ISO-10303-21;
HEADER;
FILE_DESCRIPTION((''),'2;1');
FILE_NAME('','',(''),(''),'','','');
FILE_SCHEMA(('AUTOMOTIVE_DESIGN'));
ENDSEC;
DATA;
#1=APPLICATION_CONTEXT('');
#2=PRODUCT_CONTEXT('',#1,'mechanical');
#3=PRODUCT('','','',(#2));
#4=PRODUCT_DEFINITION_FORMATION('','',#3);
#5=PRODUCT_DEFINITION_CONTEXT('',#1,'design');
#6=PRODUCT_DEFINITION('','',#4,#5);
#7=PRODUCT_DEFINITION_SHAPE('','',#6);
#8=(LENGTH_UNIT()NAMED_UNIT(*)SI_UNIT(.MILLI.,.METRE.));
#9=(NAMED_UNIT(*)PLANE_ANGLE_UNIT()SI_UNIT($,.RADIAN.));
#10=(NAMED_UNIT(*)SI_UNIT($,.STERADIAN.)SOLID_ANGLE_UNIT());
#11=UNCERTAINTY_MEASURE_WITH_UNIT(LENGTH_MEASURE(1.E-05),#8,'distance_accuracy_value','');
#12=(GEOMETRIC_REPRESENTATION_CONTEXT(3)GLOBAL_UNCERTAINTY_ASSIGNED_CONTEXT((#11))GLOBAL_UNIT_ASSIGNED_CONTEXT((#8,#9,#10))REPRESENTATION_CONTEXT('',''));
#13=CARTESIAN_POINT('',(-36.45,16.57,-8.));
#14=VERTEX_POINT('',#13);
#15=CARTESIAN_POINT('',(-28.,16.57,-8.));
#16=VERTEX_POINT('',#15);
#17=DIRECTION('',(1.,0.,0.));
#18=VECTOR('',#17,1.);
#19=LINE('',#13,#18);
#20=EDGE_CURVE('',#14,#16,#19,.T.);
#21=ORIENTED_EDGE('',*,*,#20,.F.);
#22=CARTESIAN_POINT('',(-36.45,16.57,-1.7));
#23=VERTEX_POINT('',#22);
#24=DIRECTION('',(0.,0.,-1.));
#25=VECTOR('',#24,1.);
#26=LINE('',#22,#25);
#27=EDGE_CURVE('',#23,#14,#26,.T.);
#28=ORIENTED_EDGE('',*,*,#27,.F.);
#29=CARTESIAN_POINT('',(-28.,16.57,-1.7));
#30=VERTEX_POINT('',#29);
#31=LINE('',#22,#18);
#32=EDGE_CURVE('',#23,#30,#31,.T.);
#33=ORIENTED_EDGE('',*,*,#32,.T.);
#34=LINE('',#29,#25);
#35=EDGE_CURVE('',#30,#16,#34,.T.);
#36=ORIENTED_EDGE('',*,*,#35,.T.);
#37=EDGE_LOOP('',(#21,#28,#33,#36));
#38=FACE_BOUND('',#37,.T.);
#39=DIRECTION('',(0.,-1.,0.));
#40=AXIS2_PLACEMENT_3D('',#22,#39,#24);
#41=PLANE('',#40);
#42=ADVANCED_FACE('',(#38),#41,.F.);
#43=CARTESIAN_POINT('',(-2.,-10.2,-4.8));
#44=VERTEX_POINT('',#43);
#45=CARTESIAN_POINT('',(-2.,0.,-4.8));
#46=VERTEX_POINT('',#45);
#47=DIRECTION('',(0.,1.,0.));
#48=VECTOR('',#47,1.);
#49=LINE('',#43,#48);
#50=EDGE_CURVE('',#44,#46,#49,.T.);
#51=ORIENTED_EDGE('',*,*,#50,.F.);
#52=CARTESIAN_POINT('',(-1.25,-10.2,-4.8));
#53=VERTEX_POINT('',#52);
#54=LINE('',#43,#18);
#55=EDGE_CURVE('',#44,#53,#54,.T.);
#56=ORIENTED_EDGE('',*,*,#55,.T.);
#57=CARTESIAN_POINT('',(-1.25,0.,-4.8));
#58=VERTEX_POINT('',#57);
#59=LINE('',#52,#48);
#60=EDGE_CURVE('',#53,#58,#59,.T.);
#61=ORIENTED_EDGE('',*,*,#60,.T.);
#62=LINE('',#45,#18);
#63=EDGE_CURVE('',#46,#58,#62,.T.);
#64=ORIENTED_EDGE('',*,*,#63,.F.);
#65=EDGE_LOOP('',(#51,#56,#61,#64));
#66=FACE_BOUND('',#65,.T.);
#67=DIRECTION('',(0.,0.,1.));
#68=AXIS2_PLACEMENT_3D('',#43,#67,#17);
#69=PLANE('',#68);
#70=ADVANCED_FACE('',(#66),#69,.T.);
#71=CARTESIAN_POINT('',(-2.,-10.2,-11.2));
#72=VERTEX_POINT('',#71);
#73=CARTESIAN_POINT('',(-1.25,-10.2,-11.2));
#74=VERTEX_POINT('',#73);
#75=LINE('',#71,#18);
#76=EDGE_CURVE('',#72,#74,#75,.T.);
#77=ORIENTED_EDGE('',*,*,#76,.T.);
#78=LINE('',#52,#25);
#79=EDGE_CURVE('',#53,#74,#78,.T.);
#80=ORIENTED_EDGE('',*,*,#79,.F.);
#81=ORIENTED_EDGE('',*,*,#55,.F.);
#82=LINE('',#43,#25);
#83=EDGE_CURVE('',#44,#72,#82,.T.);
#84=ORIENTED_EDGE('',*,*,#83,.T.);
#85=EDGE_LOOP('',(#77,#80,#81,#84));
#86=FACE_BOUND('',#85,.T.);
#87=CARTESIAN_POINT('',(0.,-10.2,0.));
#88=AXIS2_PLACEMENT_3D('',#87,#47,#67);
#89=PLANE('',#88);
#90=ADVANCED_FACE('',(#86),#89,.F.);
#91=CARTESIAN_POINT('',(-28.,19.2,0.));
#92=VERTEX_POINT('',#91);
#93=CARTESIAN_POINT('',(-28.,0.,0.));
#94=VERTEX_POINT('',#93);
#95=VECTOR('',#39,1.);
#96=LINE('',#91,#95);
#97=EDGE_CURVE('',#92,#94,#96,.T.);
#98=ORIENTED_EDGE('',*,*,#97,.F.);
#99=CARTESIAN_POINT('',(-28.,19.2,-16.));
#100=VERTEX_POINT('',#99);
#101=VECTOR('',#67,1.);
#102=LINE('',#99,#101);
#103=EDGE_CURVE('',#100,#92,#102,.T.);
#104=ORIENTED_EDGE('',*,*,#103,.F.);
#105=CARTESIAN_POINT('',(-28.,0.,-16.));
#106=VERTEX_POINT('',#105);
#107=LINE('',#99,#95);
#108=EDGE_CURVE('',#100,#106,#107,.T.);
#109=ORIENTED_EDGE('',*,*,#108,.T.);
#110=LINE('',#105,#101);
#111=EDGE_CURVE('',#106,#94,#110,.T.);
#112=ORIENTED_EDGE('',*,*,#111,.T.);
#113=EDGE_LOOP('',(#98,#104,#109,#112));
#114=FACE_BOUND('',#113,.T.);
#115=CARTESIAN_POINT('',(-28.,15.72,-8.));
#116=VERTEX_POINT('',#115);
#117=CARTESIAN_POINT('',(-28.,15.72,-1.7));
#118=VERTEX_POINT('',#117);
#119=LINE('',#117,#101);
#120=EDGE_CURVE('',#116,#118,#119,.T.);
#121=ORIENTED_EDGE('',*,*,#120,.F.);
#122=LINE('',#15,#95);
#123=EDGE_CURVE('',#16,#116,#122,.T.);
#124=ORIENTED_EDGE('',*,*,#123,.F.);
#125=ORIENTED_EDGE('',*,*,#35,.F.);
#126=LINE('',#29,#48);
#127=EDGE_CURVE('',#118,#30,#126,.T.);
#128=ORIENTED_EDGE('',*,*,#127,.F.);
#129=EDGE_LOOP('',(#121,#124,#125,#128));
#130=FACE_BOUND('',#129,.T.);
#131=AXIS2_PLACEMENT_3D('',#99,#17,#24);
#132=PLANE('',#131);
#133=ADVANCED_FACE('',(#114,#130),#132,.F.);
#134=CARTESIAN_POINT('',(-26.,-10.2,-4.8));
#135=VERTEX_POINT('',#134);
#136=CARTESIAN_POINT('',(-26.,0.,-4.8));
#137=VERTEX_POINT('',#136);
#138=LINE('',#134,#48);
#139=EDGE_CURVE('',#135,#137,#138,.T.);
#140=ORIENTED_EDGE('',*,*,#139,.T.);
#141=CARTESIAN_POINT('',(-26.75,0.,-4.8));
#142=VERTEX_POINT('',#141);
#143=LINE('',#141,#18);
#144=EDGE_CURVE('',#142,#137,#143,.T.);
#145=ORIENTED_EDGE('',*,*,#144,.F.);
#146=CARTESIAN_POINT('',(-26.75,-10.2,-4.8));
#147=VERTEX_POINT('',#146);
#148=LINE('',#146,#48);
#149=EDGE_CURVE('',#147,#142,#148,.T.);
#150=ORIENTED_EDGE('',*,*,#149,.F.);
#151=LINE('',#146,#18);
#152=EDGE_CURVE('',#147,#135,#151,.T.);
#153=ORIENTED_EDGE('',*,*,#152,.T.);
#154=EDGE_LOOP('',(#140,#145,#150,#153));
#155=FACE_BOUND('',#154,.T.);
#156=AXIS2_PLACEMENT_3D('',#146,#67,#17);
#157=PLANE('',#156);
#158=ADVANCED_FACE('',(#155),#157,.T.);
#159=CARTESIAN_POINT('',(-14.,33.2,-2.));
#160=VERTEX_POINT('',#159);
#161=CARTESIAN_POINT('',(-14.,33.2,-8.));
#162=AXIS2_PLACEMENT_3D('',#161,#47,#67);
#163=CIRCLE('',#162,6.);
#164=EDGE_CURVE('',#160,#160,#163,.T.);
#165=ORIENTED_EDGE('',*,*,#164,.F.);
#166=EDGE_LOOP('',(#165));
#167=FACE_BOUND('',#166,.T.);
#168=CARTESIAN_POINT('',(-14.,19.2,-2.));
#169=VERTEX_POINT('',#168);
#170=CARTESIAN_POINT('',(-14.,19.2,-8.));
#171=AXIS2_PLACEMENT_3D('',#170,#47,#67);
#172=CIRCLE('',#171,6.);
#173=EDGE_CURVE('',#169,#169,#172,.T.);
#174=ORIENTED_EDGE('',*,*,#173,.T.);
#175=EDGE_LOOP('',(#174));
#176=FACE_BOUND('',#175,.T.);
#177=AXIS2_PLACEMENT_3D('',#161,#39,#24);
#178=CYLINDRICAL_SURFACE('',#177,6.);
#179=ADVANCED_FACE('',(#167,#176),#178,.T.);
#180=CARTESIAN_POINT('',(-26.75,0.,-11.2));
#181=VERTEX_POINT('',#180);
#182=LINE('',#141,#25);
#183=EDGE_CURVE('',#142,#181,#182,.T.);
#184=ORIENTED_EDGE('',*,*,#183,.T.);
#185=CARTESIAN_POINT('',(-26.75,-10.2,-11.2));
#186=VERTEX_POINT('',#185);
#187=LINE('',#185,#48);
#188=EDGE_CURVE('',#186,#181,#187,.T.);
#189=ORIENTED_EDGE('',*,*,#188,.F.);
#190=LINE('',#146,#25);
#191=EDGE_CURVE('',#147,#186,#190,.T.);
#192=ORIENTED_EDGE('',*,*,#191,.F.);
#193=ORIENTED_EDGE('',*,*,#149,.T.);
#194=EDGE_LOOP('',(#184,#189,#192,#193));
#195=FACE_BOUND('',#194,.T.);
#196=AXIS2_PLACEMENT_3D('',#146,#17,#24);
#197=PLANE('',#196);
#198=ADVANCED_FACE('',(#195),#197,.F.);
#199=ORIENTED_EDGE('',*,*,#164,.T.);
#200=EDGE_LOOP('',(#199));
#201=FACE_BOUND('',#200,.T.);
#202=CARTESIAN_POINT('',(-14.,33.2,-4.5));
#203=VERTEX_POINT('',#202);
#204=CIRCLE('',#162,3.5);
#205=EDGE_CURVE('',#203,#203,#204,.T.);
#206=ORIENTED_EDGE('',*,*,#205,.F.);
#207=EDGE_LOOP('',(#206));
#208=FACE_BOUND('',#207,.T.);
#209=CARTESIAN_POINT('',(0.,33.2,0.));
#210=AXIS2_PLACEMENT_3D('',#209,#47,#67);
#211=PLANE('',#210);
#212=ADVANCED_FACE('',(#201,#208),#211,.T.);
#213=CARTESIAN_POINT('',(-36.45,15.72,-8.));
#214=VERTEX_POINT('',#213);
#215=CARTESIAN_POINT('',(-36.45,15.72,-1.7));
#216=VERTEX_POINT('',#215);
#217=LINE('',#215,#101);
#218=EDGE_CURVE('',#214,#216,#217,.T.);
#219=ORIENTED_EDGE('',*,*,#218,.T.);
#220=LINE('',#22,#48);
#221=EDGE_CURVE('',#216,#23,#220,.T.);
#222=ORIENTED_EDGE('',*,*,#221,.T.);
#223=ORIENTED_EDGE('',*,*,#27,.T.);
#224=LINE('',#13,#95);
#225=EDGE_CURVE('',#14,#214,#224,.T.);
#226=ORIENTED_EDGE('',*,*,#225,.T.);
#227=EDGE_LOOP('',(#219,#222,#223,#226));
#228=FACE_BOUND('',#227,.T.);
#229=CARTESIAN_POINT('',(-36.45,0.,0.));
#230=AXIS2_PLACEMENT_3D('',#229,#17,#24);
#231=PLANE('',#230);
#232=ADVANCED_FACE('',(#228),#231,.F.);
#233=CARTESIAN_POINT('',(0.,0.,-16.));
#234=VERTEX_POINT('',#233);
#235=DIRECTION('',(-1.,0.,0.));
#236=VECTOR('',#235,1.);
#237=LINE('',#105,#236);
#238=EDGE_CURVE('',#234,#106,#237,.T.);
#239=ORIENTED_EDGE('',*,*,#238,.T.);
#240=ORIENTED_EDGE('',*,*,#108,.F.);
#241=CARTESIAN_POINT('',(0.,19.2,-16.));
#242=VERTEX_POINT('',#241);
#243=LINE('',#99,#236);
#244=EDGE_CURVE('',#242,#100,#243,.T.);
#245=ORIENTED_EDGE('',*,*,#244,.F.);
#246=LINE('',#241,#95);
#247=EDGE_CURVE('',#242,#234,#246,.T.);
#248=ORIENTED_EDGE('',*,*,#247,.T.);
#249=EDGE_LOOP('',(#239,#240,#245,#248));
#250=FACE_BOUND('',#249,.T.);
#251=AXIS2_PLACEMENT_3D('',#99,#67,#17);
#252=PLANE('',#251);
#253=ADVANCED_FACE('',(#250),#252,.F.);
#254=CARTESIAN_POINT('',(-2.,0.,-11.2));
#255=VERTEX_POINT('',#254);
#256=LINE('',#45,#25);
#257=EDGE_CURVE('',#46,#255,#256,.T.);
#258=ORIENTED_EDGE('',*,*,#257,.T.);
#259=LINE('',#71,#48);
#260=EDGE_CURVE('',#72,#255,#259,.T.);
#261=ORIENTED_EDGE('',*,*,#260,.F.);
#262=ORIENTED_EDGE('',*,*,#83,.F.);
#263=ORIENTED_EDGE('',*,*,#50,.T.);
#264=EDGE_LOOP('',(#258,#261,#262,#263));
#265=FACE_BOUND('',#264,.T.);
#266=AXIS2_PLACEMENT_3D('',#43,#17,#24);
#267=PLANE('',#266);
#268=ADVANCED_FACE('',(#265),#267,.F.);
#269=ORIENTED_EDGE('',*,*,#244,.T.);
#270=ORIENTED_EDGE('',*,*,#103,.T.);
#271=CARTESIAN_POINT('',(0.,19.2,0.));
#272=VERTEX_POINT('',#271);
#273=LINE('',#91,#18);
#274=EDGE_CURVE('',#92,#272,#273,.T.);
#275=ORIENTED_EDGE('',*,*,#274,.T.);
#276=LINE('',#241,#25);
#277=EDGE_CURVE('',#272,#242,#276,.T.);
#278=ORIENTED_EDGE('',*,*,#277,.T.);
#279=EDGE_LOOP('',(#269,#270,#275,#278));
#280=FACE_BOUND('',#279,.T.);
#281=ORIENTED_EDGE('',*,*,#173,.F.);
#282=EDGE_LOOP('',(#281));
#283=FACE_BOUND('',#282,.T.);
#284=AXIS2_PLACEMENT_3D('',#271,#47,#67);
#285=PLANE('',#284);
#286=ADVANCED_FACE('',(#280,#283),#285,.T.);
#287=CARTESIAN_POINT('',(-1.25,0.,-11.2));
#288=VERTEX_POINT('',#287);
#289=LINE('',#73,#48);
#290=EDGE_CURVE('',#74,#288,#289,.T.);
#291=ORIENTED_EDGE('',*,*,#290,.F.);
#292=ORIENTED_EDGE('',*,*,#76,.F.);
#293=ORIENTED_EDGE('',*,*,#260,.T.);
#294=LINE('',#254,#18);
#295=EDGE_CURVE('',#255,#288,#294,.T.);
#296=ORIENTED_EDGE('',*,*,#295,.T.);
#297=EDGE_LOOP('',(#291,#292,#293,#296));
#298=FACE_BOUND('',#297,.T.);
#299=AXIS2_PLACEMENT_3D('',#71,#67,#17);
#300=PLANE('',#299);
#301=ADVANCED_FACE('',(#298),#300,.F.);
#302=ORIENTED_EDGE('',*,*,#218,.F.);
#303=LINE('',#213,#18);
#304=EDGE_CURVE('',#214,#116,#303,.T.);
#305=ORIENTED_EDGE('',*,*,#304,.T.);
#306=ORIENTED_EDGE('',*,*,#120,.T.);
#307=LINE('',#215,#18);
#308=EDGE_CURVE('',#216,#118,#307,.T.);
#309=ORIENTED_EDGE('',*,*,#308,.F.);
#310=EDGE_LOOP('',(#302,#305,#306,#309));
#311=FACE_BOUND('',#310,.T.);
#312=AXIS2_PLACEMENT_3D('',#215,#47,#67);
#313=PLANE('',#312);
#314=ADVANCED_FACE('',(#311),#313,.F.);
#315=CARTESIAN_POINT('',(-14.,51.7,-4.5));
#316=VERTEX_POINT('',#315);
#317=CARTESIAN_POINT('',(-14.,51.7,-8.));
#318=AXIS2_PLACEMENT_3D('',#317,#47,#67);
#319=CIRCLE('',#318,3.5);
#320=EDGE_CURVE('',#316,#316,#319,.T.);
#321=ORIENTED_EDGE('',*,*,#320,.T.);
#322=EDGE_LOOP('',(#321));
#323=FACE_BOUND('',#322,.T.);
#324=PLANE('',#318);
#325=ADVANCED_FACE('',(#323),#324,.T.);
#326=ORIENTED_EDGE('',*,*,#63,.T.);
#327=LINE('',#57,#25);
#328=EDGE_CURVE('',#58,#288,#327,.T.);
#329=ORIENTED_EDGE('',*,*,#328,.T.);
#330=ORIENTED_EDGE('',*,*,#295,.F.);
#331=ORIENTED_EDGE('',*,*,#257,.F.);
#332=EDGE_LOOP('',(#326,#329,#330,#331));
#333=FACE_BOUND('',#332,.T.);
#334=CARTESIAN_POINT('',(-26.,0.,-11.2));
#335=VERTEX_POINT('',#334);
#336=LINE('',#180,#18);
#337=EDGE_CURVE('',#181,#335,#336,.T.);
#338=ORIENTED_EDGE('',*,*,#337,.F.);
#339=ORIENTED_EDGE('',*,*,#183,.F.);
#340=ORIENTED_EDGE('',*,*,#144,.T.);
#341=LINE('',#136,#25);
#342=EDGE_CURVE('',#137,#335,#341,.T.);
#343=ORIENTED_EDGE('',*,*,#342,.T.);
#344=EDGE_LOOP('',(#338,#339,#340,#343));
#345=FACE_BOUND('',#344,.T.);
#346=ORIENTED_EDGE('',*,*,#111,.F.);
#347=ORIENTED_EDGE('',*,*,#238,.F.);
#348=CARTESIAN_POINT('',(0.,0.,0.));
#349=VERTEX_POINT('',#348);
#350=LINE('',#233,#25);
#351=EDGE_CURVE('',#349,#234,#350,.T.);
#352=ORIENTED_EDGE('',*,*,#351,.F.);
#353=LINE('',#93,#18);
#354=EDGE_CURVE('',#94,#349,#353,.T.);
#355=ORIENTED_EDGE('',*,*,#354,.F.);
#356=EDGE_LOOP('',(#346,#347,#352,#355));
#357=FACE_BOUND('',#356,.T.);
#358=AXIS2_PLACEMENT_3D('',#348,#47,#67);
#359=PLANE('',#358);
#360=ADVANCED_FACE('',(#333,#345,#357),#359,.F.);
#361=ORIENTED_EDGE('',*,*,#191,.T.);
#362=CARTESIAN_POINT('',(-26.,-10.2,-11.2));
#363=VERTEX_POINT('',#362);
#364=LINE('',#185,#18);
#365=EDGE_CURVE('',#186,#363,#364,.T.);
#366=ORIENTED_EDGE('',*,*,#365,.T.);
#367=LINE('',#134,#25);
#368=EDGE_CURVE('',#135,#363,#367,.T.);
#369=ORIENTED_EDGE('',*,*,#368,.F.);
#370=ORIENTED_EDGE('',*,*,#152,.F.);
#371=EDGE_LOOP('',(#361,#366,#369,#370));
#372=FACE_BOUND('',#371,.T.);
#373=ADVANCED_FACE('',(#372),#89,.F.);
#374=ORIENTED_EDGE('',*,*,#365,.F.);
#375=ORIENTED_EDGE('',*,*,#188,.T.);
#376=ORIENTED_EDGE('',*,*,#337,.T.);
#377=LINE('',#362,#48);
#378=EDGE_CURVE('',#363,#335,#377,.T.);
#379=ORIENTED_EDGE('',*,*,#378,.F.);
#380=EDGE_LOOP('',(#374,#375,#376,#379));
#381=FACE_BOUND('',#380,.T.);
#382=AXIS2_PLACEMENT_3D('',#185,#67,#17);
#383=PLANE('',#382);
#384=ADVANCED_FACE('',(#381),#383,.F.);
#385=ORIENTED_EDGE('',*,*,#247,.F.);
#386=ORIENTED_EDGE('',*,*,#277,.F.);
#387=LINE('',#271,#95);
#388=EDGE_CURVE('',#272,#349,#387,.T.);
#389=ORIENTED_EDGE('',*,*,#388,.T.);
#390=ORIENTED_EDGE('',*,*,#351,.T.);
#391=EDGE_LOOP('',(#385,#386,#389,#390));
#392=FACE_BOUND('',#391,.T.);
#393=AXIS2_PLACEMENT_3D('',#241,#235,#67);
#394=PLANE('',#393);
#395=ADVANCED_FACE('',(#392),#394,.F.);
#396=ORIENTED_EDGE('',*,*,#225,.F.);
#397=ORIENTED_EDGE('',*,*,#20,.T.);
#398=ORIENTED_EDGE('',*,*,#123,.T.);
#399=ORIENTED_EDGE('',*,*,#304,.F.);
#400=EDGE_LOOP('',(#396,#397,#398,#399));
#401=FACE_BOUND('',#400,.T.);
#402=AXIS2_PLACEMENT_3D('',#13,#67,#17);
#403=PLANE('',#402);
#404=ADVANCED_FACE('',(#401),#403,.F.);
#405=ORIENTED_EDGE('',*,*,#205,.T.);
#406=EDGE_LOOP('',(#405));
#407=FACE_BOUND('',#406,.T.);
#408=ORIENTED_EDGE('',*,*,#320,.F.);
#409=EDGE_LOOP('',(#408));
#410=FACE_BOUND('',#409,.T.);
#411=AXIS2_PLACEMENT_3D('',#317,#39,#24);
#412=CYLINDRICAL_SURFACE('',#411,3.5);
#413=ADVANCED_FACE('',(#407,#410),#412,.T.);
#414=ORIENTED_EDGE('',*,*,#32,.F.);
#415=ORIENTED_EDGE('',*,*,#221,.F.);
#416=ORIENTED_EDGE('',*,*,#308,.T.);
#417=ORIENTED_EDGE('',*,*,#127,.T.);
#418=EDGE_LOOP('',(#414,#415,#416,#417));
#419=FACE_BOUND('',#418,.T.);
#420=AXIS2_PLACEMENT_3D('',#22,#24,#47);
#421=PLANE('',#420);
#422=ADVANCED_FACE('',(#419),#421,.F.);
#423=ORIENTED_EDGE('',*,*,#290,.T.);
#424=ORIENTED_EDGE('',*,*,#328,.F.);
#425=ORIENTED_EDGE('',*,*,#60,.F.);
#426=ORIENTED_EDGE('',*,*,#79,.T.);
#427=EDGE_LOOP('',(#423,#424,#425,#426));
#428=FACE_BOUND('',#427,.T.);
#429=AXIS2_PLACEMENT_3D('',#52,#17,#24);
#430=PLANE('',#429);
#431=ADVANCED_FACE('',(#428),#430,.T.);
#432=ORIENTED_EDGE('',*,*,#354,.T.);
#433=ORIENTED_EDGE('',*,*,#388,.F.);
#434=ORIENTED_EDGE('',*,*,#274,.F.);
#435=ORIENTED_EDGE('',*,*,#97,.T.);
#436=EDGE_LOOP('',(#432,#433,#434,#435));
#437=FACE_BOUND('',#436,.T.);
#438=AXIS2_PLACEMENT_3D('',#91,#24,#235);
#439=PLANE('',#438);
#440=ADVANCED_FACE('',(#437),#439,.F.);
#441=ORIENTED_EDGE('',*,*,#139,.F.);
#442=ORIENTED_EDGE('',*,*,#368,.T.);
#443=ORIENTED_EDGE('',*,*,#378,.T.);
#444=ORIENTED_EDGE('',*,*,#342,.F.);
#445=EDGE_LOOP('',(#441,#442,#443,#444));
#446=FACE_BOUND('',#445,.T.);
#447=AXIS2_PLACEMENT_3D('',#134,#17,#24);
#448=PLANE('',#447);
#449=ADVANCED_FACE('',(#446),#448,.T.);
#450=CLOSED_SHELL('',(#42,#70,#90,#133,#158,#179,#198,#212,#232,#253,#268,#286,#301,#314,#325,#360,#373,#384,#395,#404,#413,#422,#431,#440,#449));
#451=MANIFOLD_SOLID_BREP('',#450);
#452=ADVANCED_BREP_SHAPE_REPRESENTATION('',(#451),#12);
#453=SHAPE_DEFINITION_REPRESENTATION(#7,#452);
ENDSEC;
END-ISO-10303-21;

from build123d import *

# Parameters (mm, degrees)
SKETCH1_W           = 28
SKETCH1_H           = 16
BOSS_EXTRUDE1_DEPTH = 19.2
SKETCH2_W           = 0.75
SKETCH2_H           = 6.4
BOSS_EXTRUDE2_DEPTH = 10.2
SKETCH3_W           = 6.3
SKETCH3_H           = 0.85
BOSS_EXTRUDE3_DEPTH = 8.45
BOSS_EXTRUDE4_DEPTH = 14
SKETCH5_R           = 3.5
BOSS_EXTRUDE5_DEPTH = 18.5


with BuildPart() as part:
    # Sketch1 → Boss-Extrude1 (new body)
    with BuildSketch(Plane(origin=(0, 0, 0), x_dir=(1, 0, 0), z_dir=(0, 1, 0))):
        with Locations((-14, 8)):
            Rectangle(SKETCH1_W, SKETCH1_H)
    extrude(amount=BOSS_EXTRUDE1_DEPTH)

    # Sketch2 → Boss-Extrude2 (add)
    with BuildSketch(Plane.XZ):
        with Locations((-1.625, -8)):
            Rectangle(SKETCH2_W, SKETCH2_H)
        with Locations((-26.375, -8)):
            Rectangle(SKETCH2_W, SKETCH2_H)
    extrude(amount=BOSS_EXTRUDE2_DEPTH)

    # Sketch3 → Boss-Extrude3 (add)
    with BuildSketch(Plane.ZY.offset(28)):
        with Locations((-4.85, 16.145)):
            Rectangle(SKETCH3_W, SKETCH3_H)
    extrude(amount=BOSS_EXTRUDE3_DEPTH)

    # Sketch4 → Boss-Extrude4 (add)
    with BuildSketch(Plane(origin=(0, 19.2, 0), x_dir=(1, 0, 0), z_dir=(0, 1, 0))):
        with BuildLine():
            ThreePointArc((-8.790541147, 10.97683363), (-16.97683363, 13.209458853), (-19.209458853, 5.02316637))
            Line((-19.209458853, 5.02316637), (-8.790541147, 10.97683363))
        make_face()
        with BuildLine():
            Line((-8.790541147, 10.97683363), (-19.209458853, 5.02316637))
            ThreePointArc((-19.209458853, 5.02316637), (-12.459992389, 2.201002107), (-8, 8))
            ThreePointArc((-8, 8), (-8.201002107, 9.540007611), (-8.790541147, 10.97683363))
        make_face()
    extrude(amount=BOSS_EXTRUDE4_DEPTH)

    # Sketch5 → Boss-Extrude5 (add)
    with BuildSketch(Plane(origin=(0, 33.2, 0), x_dir=(1, 0, 0), z_dir=(0, 1, 0))):
        with Locations(Location((-14, 8, 0), (0, 0, 270))):
            Circle(SKETCH5_R)
    extrude(amount=BOSS_EXTRUDE5_DEPTH)


solid = part.part
